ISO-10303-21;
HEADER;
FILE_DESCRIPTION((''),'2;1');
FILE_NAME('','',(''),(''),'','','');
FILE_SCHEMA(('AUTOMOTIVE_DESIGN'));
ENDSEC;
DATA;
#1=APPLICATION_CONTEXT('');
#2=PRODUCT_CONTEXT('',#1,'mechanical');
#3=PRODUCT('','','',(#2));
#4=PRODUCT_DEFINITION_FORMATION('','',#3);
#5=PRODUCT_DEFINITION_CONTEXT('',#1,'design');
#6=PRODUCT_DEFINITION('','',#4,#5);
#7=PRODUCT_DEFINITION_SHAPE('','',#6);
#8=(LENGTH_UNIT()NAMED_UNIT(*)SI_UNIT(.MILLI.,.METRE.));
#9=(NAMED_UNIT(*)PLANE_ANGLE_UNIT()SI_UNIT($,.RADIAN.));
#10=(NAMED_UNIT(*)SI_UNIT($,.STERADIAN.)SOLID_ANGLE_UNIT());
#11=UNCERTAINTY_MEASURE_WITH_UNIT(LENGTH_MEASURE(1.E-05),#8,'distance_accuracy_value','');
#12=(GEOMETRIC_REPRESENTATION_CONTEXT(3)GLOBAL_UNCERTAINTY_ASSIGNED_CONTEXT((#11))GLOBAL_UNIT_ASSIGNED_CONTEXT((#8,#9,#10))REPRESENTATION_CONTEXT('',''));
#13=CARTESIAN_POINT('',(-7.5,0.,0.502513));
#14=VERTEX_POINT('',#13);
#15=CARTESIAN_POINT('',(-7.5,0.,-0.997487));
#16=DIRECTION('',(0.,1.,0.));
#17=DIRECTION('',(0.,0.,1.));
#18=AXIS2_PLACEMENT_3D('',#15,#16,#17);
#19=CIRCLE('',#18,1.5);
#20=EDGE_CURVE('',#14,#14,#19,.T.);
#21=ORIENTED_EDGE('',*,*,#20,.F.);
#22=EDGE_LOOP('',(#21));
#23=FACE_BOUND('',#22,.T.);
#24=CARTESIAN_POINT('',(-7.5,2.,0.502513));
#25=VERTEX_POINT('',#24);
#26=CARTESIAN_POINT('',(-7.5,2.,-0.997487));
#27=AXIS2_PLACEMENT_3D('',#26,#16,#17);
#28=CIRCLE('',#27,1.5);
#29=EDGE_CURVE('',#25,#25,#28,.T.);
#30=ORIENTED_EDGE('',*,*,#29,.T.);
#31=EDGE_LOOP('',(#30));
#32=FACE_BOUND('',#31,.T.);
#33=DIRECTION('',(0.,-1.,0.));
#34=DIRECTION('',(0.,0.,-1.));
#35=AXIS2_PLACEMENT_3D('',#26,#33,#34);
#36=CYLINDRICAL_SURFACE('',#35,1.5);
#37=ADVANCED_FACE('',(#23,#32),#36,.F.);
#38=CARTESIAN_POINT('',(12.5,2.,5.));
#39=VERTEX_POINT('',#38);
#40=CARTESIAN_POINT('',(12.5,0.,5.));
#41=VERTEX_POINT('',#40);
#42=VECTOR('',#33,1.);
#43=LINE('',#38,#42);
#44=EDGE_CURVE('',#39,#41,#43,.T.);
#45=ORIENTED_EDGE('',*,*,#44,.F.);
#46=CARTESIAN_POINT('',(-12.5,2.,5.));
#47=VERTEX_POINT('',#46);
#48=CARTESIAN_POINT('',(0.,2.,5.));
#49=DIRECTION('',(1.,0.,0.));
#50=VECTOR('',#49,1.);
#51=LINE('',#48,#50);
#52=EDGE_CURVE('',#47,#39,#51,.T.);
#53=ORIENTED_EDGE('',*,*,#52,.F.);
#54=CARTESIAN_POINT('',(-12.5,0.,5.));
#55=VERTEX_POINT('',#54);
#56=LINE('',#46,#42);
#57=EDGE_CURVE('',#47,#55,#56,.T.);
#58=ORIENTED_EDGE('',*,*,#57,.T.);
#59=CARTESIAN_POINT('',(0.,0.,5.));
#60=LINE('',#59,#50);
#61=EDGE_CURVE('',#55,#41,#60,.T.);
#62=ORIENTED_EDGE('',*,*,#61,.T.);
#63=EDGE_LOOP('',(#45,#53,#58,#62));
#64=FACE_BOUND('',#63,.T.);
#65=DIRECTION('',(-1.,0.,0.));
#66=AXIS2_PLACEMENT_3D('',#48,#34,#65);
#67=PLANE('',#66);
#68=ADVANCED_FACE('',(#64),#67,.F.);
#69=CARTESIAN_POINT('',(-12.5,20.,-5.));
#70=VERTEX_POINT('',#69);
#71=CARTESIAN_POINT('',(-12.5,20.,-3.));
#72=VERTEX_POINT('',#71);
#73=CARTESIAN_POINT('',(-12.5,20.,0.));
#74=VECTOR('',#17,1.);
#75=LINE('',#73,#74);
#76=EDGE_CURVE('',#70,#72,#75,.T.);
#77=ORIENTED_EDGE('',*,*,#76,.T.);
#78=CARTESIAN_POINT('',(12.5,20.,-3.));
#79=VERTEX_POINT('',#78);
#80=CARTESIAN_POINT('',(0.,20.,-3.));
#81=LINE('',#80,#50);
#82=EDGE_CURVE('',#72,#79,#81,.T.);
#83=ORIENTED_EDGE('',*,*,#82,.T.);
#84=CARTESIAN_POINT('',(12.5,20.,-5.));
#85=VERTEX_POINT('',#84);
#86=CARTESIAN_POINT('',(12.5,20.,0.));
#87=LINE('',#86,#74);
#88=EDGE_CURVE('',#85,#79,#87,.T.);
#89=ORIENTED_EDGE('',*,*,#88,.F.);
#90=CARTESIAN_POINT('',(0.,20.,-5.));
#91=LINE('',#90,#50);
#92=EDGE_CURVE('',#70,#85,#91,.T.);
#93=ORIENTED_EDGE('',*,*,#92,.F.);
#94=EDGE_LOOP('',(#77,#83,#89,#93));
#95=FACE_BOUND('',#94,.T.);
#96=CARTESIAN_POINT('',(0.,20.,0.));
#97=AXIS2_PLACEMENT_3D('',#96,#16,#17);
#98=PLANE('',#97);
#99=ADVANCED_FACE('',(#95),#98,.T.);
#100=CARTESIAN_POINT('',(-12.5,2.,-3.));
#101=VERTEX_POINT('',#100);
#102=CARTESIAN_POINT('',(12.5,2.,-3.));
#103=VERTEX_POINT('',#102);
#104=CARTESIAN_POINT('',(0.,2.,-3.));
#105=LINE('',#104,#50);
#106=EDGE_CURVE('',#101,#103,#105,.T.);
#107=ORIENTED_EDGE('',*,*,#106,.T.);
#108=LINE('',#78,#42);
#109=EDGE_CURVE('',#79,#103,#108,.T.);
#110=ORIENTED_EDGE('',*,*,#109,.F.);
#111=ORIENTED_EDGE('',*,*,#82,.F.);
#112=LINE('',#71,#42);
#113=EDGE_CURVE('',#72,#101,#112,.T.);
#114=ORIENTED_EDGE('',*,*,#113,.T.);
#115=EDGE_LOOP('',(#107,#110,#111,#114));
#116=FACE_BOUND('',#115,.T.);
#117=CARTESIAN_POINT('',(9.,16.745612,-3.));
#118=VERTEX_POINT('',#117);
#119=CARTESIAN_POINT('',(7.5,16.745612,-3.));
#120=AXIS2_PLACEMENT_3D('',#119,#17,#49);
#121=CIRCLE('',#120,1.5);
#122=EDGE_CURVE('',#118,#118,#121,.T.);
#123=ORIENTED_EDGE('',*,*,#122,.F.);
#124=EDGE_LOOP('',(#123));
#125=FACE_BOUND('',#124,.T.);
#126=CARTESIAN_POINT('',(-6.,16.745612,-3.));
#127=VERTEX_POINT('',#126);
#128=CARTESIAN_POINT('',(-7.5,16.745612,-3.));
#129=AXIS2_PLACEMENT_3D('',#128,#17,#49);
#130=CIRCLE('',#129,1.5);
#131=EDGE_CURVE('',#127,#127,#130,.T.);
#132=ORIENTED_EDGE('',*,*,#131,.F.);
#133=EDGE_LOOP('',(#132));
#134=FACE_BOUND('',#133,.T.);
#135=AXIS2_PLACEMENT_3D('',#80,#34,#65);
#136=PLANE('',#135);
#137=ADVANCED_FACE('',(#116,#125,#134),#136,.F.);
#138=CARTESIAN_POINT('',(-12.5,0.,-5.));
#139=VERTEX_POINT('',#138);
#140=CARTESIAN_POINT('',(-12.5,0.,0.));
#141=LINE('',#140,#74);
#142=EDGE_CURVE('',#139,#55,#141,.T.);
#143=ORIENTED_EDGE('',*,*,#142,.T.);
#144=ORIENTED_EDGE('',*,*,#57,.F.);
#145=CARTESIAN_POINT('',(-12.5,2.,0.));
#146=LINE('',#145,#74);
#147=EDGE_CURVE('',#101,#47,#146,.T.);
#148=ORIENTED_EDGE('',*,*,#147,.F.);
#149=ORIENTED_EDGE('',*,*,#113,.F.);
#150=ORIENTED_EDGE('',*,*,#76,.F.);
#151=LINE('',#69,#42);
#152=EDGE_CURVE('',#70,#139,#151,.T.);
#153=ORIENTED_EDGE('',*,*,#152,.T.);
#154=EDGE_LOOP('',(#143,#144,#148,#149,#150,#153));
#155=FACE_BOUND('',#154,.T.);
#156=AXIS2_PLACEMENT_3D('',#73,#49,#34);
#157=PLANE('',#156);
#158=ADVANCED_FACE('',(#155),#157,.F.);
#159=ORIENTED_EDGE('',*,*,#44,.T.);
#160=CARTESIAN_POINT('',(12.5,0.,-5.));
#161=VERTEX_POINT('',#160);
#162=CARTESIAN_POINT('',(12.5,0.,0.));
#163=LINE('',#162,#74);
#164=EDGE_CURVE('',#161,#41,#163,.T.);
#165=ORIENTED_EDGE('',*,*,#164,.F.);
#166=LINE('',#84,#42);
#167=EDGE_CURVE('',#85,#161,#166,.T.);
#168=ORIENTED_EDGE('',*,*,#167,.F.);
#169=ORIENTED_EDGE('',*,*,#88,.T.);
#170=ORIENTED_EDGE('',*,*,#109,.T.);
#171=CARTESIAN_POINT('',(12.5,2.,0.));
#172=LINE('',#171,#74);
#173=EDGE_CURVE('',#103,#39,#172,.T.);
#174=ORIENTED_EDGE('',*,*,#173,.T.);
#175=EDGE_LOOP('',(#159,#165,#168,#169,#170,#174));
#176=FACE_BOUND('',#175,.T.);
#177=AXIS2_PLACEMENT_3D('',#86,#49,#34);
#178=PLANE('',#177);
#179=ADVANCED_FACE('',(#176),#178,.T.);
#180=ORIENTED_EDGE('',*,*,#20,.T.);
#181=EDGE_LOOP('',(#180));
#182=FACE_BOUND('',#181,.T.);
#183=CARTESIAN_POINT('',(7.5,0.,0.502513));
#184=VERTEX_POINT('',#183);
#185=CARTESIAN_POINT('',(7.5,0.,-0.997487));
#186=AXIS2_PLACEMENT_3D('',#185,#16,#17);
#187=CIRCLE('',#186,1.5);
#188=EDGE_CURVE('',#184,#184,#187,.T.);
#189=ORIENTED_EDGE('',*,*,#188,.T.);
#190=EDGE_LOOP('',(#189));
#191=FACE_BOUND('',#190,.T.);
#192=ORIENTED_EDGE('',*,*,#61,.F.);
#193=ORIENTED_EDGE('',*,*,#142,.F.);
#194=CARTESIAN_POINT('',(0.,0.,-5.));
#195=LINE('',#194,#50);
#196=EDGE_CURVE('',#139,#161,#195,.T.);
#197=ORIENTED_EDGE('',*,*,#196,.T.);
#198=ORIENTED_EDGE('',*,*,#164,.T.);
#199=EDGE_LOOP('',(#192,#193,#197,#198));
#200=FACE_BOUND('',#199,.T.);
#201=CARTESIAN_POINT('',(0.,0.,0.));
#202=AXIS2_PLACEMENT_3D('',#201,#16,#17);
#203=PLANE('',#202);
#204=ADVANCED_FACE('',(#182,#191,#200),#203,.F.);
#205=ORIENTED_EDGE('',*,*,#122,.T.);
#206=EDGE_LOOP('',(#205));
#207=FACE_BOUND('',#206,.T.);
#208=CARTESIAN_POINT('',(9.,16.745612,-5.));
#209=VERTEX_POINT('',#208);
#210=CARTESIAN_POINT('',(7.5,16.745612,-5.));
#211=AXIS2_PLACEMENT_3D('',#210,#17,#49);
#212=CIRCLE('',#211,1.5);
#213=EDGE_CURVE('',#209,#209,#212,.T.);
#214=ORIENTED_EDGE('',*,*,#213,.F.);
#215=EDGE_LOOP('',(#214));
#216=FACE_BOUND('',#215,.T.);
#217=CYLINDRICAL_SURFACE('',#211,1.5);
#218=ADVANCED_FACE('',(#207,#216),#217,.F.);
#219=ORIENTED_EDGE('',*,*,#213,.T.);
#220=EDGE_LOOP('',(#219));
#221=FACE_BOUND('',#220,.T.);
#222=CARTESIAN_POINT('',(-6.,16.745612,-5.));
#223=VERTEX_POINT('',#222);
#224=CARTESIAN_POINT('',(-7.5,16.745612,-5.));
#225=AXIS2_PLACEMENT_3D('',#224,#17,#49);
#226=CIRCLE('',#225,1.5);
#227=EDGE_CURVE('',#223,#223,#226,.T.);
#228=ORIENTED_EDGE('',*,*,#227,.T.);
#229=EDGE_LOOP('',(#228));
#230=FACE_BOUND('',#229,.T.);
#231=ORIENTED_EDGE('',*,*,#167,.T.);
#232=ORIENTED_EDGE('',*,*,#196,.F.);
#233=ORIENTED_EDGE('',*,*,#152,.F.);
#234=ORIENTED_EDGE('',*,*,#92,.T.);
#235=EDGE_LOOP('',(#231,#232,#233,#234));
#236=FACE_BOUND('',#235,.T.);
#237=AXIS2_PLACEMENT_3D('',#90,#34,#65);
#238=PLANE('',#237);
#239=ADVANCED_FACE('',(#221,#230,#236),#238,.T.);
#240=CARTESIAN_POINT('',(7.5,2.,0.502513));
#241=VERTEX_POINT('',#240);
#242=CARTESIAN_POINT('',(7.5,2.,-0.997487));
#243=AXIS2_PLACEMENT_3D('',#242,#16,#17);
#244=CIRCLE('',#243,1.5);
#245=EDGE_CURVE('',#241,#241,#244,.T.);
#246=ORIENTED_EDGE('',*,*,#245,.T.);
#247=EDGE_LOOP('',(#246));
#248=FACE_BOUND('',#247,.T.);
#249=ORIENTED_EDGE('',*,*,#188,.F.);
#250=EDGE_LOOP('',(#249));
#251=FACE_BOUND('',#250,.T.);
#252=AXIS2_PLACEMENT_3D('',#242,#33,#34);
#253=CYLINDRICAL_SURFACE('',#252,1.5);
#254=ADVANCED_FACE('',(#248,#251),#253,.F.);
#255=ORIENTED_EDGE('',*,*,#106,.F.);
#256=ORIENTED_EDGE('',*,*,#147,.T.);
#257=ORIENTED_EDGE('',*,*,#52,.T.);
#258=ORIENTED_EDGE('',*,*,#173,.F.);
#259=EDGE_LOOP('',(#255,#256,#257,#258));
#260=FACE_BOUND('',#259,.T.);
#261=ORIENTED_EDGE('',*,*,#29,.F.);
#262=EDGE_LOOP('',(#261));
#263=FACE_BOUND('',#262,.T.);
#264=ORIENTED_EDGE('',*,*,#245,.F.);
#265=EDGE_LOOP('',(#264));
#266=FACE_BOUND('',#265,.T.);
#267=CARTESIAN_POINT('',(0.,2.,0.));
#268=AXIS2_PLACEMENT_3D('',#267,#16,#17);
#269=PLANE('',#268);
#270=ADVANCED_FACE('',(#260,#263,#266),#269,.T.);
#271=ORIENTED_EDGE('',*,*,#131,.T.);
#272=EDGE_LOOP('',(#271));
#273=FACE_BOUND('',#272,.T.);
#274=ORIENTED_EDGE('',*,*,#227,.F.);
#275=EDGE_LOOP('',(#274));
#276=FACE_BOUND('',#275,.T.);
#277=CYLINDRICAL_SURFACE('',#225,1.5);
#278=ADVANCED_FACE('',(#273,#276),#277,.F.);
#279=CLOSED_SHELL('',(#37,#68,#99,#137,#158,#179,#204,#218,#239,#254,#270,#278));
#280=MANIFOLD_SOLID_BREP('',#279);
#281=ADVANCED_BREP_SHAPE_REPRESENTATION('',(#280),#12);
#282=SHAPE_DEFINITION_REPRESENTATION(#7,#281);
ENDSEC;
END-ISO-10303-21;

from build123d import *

# Parameters (mm, degrees)
SKETCH_1_W          = 25
SKETCH_1_H          = 2
EXTRUDE_1_DEPTH     = 20
EXTRUDE_2_DEPTH     = 2
SKETCH_2_R          = 1.5
CUT_EXTRUDE_1_DEPTH = 2


with BuildPart() as part:
    # 草图1 → 凸台-拉伸1 (new body)
    with BuildSketch(Plane(origin=(0, 0, 0), x_dir=(1, 0, 0), z_dir=(0, 1, 0))):
        with Locations((0, 4)):
            Rectangle(SKETCH_1_W, SKETCH_1_H)
    extrude(amount=EXTRUDE_1_DEPTH)

    # 草图1<3> → 凸台-拉伸2 (add)
    with BuildSketch(Plane(origin=(0, 0, 0), x_dir=(1, 0, 0), z_dir=(0, 1, 0))):
        Polygon((12.5, 3), (-12.5, 3), (-12.5, -5), (-7.5, -5), (0, -5), (7.5, -5), (12.5, -5), align=None)
        with BuildLine():
            ThreePointArc((-6, 0.997487313), (-6.439339828, -0.063172859), (-7.5, -0.502512687))
            ThreePointArc((-7.5, -0.502512687), (-8.560660172, 2.058147484), (-6, 0.997487313))
        make_face(mode=Mode.SUBTRACT)
        with BuildLine():
            ThreePointArc((9, 0.997487313), (7.5, -0.502512687), (6, 0.997487313))
            ThreePointArc((6, 0.997487313), (7.5, 2.497487313), (9, 0.997487313))
        make_face(mode=Mode.SUBTRACT)
    extrude(amount=EXTRUDE_2_DEPTH)

    # 草图2 → 切除-拉伸1 (cut)
    with BuildSketch(Plane.XY.offset(-3)):
        with Locations((7.5, 16.745611825)):
            Circle(SKETCH_2_R)
        with Locations((-7.5, 16.745611825)):
            Circle(SKETCH_2_R)
    extrude(amount=-CUT_EXTRUDE_1_DEPTH, mode=Mode.SUBTRACT)


solid = part.part
